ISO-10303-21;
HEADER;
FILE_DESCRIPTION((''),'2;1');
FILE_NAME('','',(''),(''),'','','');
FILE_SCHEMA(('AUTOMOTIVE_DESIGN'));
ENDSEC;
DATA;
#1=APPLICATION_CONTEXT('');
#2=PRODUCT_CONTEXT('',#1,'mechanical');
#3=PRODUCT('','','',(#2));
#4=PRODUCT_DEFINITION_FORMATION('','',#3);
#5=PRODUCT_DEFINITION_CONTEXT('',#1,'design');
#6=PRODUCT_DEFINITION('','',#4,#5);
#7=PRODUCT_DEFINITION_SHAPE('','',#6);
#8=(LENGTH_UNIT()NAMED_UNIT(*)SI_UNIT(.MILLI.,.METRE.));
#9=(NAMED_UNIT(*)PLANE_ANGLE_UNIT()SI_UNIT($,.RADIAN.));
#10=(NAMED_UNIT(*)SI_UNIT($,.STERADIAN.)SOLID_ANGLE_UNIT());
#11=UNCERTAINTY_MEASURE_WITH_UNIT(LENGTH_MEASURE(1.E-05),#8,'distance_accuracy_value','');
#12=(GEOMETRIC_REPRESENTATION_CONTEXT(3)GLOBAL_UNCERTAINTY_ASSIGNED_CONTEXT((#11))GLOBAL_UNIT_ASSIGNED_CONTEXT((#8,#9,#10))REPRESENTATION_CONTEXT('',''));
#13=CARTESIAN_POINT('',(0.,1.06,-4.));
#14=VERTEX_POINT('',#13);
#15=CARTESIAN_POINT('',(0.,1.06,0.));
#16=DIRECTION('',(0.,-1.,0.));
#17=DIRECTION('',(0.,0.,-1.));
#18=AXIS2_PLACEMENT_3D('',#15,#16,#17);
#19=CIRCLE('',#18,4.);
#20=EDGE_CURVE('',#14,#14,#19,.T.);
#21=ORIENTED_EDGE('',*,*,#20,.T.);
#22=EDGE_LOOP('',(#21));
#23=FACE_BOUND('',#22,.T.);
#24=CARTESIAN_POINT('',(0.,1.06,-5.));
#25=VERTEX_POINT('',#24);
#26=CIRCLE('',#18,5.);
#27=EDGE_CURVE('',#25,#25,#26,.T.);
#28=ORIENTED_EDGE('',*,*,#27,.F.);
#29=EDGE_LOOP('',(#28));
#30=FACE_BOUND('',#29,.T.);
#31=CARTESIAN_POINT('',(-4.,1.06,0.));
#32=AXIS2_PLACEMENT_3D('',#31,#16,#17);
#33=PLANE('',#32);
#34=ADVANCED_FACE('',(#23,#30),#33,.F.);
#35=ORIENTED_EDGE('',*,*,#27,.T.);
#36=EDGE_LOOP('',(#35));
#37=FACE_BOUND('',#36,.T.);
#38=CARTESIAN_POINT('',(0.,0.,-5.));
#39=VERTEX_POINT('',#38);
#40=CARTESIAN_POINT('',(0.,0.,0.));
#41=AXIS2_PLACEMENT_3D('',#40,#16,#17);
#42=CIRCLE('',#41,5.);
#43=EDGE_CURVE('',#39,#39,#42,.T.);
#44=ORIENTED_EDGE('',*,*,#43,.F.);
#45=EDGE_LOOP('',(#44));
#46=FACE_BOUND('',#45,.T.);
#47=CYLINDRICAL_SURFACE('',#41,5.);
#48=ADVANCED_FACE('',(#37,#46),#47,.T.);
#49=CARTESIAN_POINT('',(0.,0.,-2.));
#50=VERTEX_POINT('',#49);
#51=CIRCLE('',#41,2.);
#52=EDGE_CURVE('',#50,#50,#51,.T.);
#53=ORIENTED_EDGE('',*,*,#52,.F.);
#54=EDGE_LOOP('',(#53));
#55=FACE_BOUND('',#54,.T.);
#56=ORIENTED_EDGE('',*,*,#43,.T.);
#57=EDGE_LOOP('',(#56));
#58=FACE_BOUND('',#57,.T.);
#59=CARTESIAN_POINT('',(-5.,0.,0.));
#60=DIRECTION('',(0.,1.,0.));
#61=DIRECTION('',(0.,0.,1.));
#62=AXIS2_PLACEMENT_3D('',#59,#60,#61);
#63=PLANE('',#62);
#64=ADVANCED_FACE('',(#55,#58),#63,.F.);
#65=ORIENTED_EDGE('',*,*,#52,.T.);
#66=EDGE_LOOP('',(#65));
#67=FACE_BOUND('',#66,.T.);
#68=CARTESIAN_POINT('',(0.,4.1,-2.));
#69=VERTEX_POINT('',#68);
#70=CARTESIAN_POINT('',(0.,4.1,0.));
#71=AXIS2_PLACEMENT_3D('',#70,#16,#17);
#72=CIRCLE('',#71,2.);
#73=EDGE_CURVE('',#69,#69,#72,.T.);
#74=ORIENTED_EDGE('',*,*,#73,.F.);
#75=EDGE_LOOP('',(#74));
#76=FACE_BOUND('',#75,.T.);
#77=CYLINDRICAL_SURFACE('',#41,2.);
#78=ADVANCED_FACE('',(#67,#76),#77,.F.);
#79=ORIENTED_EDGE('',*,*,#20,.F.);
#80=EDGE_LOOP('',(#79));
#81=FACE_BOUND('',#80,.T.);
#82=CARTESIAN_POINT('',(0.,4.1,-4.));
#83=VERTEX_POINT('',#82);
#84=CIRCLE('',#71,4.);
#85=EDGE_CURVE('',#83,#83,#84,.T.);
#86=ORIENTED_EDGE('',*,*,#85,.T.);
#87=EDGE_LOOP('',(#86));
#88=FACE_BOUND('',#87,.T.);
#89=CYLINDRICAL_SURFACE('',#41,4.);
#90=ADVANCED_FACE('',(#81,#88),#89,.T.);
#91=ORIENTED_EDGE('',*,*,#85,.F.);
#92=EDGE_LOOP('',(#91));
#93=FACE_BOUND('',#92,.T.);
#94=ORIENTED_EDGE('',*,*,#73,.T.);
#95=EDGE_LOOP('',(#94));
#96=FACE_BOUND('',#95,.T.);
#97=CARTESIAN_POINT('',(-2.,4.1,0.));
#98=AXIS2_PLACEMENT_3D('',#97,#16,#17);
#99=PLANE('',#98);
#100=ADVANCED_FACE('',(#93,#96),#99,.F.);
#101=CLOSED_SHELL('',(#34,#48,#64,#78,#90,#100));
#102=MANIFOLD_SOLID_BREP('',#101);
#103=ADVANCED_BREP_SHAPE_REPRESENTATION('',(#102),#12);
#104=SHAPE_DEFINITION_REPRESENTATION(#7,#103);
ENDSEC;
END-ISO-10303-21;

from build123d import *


with BuildPart() as part:
    # Sketch1 → Revolve1 (revolve)
    with BuildSketch(Plane.XY):
        Polygon((-5, 0), (-2, 0), (-2, 4.1), (-4, 4.1), (-4, 1.06), (-5, 1.06), align=None)
    revolve(axis=Axis((0, 0, 0), (0, 1, 0)))


solid = part.part
